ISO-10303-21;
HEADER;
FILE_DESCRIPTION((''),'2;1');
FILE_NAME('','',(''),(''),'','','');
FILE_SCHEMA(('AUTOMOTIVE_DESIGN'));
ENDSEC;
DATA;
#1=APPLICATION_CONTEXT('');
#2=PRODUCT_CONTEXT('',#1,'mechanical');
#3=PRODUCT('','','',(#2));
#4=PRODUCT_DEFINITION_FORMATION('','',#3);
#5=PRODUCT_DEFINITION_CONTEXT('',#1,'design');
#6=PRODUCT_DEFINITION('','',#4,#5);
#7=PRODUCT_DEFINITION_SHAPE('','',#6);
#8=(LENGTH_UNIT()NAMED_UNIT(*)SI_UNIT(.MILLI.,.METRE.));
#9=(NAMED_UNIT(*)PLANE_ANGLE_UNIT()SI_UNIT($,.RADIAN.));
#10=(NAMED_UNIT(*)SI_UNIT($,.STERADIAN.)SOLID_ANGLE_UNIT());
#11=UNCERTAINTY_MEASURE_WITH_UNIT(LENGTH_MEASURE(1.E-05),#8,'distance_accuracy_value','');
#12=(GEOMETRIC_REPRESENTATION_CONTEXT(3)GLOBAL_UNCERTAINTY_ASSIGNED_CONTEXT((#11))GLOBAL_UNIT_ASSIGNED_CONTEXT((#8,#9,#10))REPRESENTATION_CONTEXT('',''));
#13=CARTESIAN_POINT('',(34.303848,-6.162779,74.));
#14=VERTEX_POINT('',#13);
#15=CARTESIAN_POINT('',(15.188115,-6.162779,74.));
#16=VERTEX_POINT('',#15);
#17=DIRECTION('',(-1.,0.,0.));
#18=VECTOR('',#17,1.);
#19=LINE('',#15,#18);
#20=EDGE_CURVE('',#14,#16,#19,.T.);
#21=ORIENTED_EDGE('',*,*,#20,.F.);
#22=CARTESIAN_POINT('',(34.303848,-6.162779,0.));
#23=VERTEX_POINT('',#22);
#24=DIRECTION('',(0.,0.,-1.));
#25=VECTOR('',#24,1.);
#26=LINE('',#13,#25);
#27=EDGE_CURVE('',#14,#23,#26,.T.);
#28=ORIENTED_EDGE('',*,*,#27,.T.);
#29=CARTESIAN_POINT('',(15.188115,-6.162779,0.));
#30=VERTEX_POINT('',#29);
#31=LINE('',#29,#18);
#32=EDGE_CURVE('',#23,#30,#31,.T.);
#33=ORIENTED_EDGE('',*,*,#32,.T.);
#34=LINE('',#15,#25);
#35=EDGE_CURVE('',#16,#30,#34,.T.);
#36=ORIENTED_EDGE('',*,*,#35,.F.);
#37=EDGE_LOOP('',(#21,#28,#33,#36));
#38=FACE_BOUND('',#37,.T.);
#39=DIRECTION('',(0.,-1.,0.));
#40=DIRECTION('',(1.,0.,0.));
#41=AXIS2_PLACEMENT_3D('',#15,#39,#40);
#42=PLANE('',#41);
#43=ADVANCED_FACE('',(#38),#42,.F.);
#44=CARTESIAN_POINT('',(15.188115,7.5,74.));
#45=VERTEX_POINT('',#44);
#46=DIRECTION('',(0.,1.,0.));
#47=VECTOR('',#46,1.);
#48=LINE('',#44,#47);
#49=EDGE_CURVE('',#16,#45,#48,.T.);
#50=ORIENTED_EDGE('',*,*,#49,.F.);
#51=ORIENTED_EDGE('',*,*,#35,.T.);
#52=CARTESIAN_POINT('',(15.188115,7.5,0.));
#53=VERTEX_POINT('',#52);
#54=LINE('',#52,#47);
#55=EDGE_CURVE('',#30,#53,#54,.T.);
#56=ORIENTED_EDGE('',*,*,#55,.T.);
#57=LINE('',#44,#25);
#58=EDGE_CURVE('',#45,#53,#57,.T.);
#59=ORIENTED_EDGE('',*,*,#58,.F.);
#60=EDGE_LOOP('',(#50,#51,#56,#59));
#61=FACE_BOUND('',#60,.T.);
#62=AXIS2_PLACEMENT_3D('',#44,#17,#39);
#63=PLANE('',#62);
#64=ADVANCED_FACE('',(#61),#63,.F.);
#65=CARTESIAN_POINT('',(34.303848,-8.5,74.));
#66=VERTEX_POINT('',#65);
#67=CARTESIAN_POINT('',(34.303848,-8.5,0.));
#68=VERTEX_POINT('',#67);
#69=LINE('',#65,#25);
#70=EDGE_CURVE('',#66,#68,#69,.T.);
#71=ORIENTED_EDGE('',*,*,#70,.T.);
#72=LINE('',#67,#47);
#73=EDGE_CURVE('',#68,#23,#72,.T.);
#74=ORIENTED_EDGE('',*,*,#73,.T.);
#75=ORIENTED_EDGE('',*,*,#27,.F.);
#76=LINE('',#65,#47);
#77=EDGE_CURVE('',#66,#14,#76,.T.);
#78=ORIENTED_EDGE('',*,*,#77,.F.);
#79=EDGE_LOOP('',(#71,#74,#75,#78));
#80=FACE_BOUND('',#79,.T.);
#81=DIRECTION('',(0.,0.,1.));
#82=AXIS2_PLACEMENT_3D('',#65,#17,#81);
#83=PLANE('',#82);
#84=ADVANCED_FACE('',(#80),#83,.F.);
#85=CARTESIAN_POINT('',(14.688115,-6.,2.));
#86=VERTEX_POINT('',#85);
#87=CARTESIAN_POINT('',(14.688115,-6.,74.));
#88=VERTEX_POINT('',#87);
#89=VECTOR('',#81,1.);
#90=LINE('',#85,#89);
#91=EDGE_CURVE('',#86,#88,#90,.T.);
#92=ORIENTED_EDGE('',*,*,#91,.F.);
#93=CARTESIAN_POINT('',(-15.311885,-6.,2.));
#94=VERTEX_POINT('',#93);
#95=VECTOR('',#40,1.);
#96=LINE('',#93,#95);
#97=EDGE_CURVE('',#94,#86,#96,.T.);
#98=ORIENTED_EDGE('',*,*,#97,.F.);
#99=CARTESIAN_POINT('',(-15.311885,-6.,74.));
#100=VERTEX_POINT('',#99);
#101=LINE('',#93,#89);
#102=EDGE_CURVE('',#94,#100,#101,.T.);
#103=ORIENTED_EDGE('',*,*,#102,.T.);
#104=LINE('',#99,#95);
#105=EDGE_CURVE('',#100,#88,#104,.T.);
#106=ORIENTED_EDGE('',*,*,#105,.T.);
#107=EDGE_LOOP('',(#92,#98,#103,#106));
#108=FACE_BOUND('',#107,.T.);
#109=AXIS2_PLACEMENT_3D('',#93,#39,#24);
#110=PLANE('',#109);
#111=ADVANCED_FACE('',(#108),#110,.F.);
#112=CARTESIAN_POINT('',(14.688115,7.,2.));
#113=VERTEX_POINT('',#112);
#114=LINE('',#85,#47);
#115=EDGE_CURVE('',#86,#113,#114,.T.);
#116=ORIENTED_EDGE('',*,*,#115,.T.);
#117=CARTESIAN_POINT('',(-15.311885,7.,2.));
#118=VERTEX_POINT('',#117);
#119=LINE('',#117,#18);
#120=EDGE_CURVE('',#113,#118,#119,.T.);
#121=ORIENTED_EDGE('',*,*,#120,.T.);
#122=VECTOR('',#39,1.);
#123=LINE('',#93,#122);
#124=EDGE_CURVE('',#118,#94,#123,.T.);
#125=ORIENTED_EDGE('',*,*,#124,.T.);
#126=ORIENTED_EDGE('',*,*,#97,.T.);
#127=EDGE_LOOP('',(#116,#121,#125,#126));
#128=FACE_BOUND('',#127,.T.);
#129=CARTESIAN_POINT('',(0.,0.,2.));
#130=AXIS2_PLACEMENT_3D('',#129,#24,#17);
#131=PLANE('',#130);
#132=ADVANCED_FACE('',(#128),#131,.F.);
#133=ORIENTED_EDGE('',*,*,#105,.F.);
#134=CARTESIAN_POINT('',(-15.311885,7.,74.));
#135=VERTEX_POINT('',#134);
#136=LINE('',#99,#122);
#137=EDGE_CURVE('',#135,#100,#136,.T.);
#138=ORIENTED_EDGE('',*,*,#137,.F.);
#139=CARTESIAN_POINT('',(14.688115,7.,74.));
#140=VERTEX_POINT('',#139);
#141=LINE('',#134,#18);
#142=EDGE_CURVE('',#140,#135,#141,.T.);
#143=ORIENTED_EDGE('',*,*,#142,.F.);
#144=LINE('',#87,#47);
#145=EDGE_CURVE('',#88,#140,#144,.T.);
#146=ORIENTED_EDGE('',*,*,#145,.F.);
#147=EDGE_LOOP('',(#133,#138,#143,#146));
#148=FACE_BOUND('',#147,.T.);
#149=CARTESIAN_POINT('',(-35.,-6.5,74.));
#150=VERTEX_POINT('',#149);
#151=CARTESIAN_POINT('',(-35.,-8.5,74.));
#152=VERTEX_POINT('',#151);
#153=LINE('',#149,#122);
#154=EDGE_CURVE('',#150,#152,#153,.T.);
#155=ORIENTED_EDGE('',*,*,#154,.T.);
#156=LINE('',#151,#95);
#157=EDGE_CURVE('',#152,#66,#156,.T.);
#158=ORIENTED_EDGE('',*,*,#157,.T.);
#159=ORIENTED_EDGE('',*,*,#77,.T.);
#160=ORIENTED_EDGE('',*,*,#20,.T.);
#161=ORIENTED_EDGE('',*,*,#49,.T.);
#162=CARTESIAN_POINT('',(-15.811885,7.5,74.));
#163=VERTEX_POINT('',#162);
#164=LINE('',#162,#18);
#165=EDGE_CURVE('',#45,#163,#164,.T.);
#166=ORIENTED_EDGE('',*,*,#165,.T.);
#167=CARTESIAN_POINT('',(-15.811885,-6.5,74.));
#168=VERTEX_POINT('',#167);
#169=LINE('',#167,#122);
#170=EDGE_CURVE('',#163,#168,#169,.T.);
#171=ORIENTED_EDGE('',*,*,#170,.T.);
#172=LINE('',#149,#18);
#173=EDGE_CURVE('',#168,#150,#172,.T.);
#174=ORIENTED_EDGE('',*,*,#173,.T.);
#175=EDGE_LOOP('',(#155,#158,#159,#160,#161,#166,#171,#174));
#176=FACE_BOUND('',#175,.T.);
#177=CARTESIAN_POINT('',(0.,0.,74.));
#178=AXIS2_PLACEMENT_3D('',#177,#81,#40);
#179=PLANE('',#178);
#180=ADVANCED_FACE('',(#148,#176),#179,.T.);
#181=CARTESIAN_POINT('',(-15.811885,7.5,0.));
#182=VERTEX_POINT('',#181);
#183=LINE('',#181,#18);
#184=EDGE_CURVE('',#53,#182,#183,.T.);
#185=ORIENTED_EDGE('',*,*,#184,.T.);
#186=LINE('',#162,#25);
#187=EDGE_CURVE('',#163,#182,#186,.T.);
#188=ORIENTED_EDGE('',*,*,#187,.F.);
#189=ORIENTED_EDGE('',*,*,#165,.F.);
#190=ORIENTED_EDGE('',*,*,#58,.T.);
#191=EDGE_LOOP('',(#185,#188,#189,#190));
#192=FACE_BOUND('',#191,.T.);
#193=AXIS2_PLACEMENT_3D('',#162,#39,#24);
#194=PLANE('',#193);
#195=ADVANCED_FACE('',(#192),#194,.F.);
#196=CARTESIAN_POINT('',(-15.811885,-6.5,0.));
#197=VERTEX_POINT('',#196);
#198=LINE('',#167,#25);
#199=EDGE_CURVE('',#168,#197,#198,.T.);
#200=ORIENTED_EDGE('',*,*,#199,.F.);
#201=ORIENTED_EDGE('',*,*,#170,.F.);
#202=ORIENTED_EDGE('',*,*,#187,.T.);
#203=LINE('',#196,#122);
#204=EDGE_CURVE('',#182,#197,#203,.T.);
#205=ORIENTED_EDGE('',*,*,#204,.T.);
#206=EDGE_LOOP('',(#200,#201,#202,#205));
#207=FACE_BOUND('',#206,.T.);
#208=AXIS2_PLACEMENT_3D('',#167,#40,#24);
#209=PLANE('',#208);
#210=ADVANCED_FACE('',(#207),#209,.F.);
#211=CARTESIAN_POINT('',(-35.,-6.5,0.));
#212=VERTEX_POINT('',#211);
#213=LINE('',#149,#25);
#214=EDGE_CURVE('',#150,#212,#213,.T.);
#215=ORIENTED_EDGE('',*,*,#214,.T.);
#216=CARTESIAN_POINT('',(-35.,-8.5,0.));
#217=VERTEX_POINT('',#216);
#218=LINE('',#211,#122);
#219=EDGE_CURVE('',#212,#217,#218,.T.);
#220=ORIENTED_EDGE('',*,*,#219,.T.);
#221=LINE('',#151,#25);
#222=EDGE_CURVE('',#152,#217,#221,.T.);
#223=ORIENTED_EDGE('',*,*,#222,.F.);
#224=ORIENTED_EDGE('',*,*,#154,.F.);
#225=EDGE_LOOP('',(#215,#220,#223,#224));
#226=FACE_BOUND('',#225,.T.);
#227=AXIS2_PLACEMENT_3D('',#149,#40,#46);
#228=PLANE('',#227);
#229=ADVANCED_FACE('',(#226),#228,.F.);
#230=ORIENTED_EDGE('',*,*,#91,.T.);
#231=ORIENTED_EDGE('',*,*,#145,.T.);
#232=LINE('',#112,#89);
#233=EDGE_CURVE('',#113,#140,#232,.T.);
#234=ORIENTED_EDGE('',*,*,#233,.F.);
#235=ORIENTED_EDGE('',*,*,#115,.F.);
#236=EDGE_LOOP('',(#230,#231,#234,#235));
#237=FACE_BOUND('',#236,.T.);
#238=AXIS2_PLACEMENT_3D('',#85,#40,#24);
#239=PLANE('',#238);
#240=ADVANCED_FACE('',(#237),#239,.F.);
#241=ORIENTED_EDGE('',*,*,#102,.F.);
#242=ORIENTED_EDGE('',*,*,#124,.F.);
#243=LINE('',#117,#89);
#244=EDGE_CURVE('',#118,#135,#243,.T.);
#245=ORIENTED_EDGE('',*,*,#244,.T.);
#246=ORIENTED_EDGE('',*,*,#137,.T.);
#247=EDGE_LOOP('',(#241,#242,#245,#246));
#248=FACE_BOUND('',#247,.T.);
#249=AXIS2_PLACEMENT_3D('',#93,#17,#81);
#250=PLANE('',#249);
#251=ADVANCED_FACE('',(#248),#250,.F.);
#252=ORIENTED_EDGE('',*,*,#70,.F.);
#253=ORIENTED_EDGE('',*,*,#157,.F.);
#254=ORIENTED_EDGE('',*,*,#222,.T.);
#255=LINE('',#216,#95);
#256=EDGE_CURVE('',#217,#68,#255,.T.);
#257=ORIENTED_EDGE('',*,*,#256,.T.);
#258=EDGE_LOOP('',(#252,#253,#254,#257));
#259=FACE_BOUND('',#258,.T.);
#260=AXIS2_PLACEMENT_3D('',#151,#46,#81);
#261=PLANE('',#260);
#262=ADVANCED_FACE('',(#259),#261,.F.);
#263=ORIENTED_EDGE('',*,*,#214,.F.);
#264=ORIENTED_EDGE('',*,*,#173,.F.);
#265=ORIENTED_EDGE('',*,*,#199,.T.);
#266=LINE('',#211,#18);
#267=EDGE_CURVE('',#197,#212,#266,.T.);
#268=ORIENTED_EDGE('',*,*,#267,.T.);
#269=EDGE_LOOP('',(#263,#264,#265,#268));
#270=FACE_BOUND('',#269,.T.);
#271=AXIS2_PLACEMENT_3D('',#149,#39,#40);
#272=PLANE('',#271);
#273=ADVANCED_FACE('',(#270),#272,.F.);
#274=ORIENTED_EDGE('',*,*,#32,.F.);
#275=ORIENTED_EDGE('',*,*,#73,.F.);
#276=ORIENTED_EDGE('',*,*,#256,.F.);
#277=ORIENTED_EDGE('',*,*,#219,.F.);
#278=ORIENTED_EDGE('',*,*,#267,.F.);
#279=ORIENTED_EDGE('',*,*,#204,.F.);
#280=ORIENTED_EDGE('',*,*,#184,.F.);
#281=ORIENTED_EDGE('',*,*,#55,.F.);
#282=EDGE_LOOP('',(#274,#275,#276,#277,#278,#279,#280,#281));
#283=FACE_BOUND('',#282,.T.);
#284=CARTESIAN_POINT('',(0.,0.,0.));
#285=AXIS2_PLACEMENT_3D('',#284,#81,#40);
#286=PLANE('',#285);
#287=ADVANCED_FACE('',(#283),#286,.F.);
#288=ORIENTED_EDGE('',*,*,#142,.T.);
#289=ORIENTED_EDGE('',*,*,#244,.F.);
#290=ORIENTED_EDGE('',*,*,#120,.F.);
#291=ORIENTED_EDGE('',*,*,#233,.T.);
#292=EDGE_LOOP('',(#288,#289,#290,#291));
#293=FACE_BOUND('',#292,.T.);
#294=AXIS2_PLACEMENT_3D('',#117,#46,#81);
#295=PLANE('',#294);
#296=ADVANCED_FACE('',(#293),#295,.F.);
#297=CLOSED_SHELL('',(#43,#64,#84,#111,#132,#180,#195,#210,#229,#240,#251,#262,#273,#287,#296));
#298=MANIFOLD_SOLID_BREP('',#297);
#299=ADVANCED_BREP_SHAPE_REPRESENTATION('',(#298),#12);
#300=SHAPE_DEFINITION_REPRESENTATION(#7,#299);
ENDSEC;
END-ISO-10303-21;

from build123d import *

# Parameters (mm, degrees)
SALIENTE_EXTRUIR1_DEPTH = 74
CROQUIS2_W              = 30
CROQUIS2_H              = 13
CORTAR_EXTRUIR1_DEPTH   = 72


with BuildPart() as part:
    # Croquis1 → Saliente-Extruir1 (new body)
    with BuildSketch(Plane.XY):
        Polygon((-35, -6.5), (-35, -8.5), (34.303847888, -8.5), (34.303847888, -6.162779032), (15.188115151, -6.162779032), (15.188115151, 7.5), (-15.811884849, 7.5), (-15.811884849, -6.5), align=None)
    extrude(amount=SALIENTE_EXTRUIR1_DEPTH)

    # Croquis2 → Cortar-Extruir1 (cut)
    with BuildSketch(Plane.XY.offset(74)):
        with Locations((-0.311884849, 0.5)):
            Rectangle(CROQUIS2_W, CROQUIS2_H)
    extrude(amount=-CORTAR_EXTRUIR1_DEPTH, mode=Mode.SUBTRACT)


solid = part.part
